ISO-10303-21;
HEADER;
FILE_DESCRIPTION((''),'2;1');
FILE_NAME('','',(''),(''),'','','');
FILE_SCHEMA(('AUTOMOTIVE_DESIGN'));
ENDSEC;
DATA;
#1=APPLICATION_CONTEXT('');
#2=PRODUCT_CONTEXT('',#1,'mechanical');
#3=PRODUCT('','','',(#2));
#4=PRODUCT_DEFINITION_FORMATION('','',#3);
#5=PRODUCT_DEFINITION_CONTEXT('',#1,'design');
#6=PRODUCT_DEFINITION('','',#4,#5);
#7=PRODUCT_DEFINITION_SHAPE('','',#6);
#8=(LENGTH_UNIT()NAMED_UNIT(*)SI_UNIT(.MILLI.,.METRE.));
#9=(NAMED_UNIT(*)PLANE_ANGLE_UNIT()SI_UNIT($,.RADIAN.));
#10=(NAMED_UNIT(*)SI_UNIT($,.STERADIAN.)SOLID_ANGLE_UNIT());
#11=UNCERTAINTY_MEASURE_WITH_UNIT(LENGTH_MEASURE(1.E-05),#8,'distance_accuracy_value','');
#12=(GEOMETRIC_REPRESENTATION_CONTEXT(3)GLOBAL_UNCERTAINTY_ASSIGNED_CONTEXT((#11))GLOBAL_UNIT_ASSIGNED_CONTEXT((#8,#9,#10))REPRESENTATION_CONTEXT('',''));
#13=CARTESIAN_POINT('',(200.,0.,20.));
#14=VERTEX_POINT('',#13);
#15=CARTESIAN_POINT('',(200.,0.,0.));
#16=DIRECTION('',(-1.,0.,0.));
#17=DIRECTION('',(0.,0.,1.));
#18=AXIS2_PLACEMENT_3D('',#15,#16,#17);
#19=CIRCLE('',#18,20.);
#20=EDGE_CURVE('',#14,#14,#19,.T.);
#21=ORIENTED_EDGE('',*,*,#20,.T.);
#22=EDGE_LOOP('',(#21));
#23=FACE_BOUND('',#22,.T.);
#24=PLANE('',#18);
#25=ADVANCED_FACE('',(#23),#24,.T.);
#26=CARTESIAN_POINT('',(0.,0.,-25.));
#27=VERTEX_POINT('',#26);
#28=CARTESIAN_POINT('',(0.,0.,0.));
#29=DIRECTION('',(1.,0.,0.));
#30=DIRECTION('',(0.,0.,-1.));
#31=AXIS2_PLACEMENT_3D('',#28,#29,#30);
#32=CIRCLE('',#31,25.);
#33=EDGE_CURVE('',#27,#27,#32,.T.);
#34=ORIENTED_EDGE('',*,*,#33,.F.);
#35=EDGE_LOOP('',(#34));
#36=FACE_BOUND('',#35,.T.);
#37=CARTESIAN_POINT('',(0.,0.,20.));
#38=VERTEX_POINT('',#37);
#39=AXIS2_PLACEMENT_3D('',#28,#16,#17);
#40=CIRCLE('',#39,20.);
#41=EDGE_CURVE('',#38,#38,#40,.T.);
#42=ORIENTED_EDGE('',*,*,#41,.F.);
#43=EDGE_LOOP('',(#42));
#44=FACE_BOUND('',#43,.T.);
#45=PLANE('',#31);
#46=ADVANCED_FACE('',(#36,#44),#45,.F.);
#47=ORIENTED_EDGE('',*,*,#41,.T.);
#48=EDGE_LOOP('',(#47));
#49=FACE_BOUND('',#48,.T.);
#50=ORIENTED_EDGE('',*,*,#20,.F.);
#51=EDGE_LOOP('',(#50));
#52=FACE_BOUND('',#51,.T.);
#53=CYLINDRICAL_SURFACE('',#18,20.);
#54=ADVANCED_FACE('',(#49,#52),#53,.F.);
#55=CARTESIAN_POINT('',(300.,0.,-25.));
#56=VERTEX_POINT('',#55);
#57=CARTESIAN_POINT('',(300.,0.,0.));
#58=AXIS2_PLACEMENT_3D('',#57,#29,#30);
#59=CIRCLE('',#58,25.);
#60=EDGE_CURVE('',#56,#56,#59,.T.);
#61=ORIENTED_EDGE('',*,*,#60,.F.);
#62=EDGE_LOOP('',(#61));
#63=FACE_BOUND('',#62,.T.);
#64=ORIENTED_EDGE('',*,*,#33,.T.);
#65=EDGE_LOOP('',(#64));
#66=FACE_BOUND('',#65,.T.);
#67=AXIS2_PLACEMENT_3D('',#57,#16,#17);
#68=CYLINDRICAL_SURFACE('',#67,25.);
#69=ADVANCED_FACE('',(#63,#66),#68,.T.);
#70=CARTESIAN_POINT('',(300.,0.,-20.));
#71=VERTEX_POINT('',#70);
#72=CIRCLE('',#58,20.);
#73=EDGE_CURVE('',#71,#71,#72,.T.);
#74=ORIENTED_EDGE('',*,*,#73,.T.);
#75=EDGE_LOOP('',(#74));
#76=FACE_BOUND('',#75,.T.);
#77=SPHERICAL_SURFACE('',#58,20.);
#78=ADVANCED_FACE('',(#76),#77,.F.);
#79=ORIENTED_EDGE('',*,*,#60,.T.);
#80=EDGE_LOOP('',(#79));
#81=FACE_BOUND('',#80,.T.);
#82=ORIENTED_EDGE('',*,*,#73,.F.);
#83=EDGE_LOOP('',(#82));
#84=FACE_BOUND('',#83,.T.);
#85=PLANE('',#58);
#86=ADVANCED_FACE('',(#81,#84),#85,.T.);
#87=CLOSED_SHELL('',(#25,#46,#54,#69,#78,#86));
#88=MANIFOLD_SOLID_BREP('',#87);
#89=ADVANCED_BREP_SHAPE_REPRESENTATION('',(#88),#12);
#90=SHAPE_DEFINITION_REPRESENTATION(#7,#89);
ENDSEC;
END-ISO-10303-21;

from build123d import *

# Parameters (mm, degrees)
SKETCH1_R           = 25
BOSS_EXTRUDE1_DEPTH = 300
SKETCH3_R           = 20
CUT_EXTRUDE1_DEPTH  = 200


with BuildPart() as part:
    # Sketch1 → Boss-Extrude1 (new body)
    with BuildSketch(Plane(origin=(0, 0, 0), x_dir=(0, 0, -1), z_dir=(1, 0, 0))):
        Circle(SKETCH1_R)
    extrude(amount=BOSS_EXTRUDE1_DEPTH)

    # Sketch2 → Cut-Revolve3 (revolve, cut)
    with BuildSketch(Plane(origin=(300, 0, 0), x_dir=(0, 0, -1), z_dir=(1, 0, 0))):
        with BuildLine():
            Line((-20, 0), (20, 0))
            ThreePointArc((20, 0), (0, 20), (-20, 0))
        make_face()
    revolve(axis=Axis((300, 0, 20), (0, 0, -1)), mode=Mode.SUBTRACT)

    # Sketch3 → Cut-Extrude1 (cut)
    with BuildSketch(Plane.ZY):
        Circle(SKETCH3_R)
    extrude(amount=-CUT_EXTRUDE1_DEPTH, mode=Mode.SUBTRACT)


solid = part.part
